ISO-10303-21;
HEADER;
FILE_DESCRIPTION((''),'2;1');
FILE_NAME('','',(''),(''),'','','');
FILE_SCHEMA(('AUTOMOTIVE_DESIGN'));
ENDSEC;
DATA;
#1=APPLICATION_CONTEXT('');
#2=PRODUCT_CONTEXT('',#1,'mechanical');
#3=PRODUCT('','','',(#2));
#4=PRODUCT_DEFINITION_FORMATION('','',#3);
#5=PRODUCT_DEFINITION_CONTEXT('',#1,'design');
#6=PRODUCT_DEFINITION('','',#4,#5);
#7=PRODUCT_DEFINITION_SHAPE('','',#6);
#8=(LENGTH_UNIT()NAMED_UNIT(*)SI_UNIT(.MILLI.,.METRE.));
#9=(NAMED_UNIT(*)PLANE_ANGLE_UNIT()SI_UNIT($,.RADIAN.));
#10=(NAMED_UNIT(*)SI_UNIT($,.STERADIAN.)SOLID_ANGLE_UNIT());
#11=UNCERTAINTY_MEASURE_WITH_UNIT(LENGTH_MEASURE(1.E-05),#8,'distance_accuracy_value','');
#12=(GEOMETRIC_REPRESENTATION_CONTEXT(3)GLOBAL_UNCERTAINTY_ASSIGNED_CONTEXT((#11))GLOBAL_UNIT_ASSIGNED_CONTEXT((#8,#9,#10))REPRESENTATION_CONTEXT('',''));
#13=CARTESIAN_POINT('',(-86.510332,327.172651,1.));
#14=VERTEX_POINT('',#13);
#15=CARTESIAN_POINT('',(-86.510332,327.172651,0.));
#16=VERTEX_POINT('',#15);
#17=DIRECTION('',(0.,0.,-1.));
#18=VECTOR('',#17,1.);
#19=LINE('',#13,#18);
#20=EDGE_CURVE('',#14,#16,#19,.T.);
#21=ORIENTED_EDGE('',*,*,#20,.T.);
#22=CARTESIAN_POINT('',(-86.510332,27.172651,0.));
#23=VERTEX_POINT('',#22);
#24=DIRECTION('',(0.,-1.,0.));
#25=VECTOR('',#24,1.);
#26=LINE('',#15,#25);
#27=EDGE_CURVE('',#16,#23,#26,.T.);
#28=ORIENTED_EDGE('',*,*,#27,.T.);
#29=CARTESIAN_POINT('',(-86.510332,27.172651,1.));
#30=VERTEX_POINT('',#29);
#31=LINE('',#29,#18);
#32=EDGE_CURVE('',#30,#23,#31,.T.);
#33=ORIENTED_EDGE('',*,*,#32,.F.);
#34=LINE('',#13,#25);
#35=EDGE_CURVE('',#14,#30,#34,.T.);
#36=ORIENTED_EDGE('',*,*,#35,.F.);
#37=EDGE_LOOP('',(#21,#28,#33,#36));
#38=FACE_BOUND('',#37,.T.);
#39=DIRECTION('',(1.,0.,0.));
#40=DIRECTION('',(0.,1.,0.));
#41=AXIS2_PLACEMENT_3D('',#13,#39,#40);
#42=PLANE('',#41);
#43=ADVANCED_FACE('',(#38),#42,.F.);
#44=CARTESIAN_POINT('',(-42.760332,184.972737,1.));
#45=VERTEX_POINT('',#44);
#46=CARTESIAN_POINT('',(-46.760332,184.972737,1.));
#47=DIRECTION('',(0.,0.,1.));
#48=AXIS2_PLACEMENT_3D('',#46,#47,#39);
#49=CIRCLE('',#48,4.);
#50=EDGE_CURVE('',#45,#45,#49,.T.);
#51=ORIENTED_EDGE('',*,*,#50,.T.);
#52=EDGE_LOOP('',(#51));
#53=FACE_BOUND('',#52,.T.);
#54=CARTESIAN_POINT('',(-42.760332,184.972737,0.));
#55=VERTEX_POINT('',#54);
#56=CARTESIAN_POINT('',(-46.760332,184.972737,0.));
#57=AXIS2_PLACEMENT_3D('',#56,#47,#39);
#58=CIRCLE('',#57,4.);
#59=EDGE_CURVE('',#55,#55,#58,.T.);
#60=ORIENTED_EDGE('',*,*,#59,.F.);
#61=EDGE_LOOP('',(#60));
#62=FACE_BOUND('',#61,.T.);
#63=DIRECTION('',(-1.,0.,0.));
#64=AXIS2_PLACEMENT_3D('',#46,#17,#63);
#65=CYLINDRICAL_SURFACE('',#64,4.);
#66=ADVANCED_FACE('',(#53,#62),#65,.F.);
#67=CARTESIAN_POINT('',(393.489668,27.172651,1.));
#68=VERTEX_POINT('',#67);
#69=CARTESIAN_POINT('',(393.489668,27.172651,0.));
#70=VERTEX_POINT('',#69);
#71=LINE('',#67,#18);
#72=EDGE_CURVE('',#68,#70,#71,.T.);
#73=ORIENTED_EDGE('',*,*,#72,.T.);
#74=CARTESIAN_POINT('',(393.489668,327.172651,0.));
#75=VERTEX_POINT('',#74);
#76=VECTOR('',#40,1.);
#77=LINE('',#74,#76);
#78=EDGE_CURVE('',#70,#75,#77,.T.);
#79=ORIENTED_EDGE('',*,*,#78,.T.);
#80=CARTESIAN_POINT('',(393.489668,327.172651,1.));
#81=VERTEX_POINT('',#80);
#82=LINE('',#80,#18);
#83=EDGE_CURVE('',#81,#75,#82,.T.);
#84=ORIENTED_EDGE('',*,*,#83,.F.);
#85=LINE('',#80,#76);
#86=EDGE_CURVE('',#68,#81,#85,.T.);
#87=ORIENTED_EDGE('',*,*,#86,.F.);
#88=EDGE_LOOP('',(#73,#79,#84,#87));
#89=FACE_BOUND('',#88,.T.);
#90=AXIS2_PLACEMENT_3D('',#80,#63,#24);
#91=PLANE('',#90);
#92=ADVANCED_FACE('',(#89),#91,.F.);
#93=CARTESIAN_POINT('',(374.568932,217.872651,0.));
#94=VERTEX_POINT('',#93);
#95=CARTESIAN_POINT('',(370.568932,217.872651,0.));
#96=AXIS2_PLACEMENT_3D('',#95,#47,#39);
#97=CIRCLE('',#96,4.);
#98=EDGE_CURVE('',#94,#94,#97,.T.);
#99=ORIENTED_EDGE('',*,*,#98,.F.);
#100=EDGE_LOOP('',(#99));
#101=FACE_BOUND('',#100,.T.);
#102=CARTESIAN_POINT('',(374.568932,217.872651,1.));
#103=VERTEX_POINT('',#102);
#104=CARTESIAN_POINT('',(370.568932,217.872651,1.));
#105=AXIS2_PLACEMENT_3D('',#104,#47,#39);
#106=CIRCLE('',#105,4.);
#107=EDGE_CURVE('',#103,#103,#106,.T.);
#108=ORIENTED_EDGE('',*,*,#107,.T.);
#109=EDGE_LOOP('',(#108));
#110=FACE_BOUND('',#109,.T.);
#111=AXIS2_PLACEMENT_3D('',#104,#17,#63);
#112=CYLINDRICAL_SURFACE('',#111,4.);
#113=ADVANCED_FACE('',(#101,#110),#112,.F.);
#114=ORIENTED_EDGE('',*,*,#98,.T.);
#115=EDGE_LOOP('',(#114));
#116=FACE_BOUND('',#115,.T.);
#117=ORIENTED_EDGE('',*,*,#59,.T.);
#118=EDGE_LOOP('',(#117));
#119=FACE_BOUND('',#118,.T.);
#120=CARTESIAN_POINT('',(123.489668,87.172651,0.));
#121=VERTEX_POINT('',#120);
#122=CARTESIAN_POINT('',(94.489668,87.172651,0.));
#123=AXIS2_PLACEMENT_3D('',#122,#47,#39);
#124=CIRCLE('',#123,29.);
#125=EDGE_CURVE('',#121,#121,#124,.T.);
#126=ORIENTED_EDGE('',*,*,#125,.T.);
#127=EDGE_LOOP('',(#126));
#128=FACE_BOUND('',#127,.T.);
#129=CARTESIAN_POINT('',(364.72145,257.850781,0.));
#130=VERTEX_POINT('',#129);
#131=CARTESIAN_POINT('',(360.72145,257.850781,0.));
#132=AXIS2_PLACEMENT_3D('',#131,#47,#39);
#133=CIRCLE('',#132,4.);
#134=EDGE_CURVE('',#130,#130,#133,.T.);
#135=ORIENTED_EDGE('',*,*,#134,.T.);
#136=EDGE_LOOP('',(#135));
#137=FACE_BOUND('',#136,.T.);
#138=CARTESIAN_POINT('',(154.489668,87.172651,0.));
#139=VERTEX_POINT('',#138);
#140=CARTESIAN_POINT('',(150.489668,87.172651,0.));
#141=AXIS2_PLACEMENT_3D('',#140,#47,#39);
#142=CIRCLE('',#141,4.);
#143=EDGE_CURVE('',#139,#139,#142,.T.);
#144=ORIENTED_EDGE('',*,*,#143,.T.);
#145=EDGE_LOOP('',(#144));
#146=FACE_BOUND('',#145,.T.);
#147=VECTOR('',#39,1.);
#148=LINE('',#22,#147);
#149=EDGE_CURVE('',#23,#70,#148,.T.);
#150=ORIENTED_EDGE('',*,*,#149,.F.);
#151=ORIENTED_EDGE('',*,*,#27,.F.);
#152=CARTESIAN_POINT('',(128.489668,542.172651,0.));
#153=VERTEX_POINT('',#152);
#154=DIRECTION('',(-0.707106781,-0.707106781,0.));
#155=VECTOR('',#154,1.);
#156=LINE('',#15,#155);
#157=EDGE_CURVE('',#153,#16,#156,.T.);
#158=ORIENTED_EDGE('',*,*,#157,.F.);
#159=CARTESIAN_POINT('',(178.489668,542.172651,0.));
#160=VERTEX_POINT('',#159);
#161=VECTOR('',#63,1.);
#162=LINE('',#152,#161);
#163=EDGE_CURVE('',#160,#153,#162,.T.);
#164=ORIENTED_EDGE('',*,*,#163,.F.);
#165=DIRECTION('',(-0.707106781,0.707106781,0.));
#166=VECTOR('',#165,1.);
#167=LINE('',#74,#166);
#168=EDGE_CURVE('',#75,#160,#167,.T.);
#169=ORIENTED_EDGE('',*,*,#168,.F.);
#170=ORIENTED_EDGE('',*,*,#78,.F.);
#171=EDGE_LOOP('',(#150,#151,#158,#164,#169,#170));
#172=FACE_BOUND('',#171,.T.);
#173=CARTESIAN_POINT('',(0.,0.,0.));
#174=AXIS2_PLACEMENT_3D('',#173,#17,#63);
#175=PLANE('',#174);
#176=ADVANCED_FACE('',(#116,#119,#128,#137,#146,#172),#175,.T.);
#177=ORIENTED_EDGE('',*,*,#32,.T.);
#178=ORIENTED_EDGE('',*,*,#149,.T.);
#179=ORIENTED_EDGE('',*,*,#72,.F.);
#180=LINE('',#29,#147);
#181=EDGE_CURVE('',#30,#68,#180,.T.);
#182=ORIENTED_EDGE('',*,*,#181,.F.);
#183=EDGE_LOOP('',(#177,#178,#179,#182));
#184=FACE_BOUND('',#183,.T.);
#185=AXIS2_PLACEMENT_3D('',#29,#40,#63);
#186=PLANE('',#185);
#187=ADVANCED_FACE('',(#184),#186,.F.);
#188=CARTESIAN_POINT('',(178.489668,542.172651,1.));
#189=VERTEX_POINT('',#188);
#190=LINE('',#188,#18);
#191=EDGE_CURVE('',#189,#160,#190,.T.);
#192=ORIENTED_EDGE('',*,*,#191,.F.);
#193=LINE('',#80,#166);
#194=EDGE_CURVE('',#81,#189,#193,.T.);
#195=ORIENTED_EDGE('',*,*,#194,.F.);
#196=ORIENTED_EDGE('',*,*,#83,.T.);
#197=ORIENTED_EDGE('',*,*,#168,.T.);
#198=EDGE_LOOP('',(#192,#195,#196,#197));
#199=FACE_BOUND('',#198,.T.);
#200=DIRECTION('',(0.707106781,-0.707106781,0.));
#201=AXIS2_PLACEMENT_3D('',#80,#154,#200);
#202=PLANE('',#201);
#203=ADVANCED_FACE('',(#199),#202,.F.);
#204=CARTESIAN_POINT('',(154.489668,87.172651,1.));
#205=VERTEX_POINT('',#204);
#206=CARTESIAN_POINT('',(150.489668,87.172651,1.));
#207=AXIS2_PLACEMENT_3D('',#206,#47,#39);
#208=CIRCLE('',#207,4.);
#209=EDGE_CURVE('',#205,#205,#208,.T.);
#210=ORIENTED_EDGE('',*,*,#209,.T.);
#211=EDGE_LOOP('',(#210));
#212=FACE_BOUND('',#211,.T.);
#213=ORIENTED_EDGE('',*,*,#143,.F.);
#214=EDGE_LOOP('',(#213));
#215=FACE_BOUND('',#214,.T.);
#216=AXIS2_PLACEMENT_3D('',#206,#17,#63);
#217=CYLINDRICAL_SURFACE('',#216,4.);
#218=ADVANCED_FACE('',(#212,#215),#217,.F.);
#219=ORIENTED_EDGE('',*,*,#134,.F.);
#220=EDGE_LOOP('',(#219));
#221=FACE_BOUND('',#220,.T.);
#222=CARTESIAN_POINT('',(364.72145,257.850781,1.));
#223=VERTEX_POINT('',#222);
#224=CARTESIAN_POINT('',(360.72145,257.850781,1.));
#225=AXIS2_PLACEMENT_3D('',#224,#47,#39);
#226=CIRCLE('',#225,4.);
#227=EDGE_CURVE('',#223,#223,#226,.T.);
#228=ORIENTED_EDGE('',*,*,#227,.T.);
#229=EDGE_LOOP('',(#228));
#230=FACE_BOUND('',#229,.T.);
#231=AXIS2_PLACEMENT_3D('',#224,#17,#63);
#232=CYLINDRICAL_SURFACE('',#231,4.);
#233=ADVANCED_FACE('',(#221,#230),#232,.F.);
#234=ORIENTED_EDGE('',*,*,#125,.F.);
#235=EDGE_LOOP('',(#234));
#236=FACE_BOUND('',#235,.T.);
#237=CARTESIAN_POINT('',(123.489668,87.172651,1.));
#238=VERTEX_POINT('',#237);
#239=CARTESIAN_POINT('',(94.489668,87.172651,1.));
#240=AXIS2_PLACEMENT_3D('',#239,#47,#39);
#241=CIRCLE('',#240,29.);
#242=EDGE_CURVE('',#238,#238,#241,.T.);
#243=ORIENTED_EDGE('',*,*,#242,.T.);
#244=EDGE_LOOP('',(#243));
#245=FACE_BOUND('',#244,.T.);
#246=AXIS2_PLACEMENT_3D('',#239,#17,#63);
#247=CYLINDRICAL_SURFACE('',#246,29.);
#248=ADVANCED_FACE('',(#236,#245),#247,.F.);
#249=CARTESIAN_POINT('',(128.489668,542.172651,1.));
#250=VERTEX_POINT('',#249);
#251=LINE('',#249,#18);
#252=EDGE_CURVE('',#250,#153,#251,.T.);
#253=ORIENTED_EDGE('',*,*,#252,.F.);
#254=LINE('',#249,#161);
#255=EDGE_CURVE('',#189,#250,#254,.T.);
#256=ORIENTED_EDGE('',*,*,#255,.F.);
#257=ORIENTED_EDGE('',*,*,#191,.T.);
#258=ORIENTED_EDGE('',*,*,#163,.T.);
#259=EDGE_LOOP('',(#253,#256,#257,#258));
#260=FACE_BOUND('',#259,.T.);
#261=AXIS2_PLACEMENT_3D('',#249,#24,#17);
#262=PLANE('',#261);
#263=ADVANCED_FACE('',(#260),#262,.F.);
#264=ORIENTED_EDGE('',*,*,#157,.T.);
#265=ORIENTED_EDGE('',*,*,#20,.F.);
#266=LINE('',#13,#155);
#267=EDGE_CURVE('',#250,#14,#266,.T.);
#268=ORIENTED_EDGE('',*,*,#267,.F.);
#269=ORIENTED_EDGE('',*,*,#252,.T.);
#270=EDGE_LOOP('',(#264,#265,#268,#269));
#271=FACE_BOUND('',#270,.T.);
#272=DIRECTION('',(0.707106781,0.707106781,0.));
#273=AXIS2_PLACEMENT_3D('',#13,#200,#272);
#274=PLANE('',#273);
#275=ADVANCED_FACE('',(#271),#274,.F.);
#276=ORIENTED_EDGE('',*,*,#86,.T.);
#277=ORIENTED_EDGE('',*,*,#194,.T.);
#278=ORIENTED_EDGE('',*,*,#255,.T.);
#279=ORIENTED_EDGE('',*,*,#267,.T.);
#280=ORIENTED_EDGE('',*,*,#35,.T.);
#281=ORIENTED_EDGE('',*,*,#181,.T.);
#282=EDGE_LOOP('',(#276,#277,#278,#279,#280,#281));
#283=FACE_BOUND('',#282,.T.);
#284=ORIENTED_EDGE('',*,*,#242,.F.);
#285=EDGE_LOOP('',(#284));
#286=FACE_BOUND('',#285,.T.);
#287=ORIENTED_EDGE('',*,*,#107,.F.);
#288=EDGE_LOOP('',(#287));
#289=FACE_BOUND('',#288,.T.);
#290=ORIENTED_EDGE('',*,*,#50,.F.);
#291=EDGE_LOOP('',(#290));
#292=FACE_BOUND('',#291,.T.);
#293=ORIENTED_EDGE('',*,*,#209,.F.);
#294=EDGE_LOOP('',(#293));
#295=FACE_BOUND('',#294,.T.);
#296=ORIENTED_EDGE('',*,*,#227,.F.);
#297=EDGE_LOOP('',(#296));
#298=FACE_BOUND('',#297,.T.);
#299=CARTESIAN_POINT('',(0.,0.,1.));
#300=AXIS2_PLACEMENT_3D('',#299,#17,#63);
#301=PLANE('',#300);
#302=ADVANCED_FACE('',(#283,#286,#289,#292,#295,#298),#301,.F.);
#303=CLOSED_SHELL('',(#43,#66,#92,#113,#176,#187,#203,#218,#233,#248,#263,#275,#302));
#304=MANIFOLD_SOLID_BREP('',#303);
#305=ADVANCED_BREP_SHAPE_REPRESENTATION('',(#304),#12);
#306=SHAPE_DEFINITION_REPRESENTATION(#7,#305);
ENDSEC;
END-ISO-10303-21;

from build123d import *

# Parameters (mm, degrees)
ESQUISSE1_R        = 4
ESQUISSE1_R_2      = 29
BOSS_EXTRU_1_DEPTH = 1


with BuildPart() as part:
    # Esquisse1 → Boss.-Extru.1 (new body)
    with BuildSketch(Plane.XY):
        Polygon((-86.510331807, 327.172651118), (-86.510331807, 27.172651118), (393.489668193, 27.172651118), (393.489668193, 327.172651118), (178.489668193, 542.172651118), (128.489668193, 542.172651118), align=None)
        with Locations((150.489668193, 87.172651118)):
            Circle(ESQUISSE1_R, mode=Mode.SUBTRACT)
        with Locations((360.721450059, 257.850781344)):
            Circle(ESQUISSE1_R, mode=Mode.SUBTRACT)
        with Locations((-46.760331807, 184.972737387)):
            Circle(ESQUISSE1_R, mode=Mode.SUBTRACT)
        with Locations((370.568932328, 217.872651118)):
            Circle(ESQUISSE1_R, mode=Mode.SUBTRACT)
        with Locations((94.489668193, 87.172651118)):
            Circle(ESQUISSE1_R_2, mode=Mode.SUBTRACT)
    extrude(amount=BOSS_EXTRU_1_DEPTH)


solid = part.part
